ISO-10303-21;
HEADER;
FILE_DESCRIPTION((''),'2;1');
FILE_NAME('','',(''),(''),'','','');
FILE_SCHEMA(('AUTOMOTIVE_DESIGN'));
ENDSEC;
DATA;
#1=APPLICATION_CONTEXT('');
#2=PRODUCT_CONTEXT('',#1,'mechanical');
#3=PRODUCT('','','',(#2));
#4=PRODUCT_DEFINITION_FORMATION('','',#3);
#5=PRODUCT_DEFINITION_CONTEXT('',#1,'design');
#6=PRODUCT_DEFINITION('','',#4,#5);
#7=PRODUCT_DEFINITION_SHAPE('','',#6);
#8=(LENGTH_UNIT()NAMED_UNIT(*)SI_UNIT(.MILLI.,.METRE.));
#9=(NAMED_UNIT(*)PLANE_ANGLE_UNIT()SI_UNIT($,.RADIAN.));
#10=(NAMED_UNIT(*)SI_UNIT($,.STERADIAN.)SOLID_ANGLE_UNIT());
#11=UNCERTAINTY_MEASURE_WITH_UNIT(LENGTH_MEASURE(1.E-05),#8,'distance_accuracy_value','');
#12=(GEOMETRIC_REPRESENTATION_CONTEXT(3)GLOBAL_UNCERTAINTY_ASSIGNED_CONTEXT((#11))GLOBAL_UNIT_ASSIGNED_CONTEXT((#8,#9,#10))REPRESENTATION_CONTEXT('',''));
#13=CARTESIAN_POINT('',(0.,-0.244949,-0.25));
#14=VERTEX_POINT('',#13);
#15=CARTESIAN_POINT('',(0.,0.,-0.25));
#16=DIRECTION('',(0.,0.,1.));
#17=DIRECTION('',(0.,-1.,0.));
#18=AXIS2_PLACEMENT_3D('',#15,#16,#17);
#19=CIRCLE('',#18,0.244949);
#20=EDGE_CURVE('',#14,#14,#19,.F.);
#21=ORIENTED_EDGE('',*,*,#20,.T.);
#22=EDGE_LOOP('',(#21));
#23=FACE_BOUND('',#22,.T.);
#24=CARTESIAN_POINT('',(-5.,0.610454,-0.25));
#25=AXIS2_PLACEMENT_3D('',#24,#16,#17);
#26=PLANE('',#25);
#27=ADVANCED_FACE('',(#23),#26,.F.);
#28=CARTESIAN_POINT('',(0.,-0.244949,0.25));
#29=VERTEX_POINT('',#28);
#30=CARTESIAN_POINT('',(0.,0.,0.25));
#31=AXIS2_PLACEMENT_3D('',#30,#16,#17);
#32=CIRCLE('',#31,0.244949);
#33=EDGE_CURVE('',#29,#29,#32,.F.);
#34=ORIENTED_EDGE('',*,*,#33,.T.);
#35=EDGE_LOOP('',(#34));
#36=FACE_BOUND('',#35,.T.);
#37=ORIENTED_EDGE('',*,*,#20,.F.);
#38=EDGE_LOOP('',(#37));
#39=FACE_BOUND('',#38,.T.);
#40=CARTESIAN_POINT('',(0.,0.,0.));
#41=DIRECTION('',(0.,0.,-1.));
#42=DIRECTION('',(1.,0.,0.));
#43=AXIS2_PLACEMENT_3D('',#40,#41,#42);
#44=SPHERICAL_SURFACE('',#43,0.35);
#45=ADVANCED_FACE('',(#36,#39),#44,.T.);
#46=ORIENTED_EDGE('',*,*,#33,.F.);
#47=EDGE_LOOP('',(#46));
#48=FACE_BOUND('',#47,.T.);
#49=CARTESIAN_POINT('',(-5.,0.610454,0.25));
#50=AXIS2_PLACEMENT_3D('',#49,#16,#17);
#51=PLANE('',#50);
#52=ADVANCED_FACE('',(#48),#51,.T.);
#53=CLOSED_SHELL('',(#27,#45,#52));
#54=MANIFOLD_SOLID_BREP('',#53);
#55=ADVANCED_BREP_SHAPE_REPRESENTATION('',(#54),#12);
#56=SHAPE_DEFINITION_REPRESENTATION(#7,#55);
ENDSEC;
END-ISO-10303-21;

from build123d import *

# Parameters (mm, degrees)
SKETCH2_W          = 0.2
SKETCH2_H          = 1.233474408
CUT_EXTRUDE1_DEPTH = 5


with BuildPart() as part:
    # Sketch1 → Revolve3 (revolve)
    with BuildSketch(Plane(origin=(0, 0, 0), x_dir=(1, 0, 0), z_dir=(0, 1, 0))):
        with BuildLine():
            Line((0, 0.35), (0, -0.35))
            ThreePointArc((0, -0.35), (-0.35, 0), (0, 0.35))
        make_face()
    revolve(axis=Axis((0, 0, -0.35), (0, 0, 1)))

    # Sketch2 → Cut-Extrude1 (cut, symmetric)
    with BuildSketch(Plane(origin=(0, 0, 0), x_dir=(0, 0, -1), z_dir=(1, 0, 0))):
        with Locations((0.35, -0.006283266)):
            Rectangle(SKETCH2_W, SKETCH2_H)
    cut_extrude1 = extrude(amount=CUT_EXTRUDE1_DEPTH, both=True, mode=Mode.SUBTRACT)

    # Mirror1: Cut-Extrude1 across plane
    add(cut_extrude1.mirror(Plane.XY), mode=Mode.SUBTRACT)


solid = part.part
